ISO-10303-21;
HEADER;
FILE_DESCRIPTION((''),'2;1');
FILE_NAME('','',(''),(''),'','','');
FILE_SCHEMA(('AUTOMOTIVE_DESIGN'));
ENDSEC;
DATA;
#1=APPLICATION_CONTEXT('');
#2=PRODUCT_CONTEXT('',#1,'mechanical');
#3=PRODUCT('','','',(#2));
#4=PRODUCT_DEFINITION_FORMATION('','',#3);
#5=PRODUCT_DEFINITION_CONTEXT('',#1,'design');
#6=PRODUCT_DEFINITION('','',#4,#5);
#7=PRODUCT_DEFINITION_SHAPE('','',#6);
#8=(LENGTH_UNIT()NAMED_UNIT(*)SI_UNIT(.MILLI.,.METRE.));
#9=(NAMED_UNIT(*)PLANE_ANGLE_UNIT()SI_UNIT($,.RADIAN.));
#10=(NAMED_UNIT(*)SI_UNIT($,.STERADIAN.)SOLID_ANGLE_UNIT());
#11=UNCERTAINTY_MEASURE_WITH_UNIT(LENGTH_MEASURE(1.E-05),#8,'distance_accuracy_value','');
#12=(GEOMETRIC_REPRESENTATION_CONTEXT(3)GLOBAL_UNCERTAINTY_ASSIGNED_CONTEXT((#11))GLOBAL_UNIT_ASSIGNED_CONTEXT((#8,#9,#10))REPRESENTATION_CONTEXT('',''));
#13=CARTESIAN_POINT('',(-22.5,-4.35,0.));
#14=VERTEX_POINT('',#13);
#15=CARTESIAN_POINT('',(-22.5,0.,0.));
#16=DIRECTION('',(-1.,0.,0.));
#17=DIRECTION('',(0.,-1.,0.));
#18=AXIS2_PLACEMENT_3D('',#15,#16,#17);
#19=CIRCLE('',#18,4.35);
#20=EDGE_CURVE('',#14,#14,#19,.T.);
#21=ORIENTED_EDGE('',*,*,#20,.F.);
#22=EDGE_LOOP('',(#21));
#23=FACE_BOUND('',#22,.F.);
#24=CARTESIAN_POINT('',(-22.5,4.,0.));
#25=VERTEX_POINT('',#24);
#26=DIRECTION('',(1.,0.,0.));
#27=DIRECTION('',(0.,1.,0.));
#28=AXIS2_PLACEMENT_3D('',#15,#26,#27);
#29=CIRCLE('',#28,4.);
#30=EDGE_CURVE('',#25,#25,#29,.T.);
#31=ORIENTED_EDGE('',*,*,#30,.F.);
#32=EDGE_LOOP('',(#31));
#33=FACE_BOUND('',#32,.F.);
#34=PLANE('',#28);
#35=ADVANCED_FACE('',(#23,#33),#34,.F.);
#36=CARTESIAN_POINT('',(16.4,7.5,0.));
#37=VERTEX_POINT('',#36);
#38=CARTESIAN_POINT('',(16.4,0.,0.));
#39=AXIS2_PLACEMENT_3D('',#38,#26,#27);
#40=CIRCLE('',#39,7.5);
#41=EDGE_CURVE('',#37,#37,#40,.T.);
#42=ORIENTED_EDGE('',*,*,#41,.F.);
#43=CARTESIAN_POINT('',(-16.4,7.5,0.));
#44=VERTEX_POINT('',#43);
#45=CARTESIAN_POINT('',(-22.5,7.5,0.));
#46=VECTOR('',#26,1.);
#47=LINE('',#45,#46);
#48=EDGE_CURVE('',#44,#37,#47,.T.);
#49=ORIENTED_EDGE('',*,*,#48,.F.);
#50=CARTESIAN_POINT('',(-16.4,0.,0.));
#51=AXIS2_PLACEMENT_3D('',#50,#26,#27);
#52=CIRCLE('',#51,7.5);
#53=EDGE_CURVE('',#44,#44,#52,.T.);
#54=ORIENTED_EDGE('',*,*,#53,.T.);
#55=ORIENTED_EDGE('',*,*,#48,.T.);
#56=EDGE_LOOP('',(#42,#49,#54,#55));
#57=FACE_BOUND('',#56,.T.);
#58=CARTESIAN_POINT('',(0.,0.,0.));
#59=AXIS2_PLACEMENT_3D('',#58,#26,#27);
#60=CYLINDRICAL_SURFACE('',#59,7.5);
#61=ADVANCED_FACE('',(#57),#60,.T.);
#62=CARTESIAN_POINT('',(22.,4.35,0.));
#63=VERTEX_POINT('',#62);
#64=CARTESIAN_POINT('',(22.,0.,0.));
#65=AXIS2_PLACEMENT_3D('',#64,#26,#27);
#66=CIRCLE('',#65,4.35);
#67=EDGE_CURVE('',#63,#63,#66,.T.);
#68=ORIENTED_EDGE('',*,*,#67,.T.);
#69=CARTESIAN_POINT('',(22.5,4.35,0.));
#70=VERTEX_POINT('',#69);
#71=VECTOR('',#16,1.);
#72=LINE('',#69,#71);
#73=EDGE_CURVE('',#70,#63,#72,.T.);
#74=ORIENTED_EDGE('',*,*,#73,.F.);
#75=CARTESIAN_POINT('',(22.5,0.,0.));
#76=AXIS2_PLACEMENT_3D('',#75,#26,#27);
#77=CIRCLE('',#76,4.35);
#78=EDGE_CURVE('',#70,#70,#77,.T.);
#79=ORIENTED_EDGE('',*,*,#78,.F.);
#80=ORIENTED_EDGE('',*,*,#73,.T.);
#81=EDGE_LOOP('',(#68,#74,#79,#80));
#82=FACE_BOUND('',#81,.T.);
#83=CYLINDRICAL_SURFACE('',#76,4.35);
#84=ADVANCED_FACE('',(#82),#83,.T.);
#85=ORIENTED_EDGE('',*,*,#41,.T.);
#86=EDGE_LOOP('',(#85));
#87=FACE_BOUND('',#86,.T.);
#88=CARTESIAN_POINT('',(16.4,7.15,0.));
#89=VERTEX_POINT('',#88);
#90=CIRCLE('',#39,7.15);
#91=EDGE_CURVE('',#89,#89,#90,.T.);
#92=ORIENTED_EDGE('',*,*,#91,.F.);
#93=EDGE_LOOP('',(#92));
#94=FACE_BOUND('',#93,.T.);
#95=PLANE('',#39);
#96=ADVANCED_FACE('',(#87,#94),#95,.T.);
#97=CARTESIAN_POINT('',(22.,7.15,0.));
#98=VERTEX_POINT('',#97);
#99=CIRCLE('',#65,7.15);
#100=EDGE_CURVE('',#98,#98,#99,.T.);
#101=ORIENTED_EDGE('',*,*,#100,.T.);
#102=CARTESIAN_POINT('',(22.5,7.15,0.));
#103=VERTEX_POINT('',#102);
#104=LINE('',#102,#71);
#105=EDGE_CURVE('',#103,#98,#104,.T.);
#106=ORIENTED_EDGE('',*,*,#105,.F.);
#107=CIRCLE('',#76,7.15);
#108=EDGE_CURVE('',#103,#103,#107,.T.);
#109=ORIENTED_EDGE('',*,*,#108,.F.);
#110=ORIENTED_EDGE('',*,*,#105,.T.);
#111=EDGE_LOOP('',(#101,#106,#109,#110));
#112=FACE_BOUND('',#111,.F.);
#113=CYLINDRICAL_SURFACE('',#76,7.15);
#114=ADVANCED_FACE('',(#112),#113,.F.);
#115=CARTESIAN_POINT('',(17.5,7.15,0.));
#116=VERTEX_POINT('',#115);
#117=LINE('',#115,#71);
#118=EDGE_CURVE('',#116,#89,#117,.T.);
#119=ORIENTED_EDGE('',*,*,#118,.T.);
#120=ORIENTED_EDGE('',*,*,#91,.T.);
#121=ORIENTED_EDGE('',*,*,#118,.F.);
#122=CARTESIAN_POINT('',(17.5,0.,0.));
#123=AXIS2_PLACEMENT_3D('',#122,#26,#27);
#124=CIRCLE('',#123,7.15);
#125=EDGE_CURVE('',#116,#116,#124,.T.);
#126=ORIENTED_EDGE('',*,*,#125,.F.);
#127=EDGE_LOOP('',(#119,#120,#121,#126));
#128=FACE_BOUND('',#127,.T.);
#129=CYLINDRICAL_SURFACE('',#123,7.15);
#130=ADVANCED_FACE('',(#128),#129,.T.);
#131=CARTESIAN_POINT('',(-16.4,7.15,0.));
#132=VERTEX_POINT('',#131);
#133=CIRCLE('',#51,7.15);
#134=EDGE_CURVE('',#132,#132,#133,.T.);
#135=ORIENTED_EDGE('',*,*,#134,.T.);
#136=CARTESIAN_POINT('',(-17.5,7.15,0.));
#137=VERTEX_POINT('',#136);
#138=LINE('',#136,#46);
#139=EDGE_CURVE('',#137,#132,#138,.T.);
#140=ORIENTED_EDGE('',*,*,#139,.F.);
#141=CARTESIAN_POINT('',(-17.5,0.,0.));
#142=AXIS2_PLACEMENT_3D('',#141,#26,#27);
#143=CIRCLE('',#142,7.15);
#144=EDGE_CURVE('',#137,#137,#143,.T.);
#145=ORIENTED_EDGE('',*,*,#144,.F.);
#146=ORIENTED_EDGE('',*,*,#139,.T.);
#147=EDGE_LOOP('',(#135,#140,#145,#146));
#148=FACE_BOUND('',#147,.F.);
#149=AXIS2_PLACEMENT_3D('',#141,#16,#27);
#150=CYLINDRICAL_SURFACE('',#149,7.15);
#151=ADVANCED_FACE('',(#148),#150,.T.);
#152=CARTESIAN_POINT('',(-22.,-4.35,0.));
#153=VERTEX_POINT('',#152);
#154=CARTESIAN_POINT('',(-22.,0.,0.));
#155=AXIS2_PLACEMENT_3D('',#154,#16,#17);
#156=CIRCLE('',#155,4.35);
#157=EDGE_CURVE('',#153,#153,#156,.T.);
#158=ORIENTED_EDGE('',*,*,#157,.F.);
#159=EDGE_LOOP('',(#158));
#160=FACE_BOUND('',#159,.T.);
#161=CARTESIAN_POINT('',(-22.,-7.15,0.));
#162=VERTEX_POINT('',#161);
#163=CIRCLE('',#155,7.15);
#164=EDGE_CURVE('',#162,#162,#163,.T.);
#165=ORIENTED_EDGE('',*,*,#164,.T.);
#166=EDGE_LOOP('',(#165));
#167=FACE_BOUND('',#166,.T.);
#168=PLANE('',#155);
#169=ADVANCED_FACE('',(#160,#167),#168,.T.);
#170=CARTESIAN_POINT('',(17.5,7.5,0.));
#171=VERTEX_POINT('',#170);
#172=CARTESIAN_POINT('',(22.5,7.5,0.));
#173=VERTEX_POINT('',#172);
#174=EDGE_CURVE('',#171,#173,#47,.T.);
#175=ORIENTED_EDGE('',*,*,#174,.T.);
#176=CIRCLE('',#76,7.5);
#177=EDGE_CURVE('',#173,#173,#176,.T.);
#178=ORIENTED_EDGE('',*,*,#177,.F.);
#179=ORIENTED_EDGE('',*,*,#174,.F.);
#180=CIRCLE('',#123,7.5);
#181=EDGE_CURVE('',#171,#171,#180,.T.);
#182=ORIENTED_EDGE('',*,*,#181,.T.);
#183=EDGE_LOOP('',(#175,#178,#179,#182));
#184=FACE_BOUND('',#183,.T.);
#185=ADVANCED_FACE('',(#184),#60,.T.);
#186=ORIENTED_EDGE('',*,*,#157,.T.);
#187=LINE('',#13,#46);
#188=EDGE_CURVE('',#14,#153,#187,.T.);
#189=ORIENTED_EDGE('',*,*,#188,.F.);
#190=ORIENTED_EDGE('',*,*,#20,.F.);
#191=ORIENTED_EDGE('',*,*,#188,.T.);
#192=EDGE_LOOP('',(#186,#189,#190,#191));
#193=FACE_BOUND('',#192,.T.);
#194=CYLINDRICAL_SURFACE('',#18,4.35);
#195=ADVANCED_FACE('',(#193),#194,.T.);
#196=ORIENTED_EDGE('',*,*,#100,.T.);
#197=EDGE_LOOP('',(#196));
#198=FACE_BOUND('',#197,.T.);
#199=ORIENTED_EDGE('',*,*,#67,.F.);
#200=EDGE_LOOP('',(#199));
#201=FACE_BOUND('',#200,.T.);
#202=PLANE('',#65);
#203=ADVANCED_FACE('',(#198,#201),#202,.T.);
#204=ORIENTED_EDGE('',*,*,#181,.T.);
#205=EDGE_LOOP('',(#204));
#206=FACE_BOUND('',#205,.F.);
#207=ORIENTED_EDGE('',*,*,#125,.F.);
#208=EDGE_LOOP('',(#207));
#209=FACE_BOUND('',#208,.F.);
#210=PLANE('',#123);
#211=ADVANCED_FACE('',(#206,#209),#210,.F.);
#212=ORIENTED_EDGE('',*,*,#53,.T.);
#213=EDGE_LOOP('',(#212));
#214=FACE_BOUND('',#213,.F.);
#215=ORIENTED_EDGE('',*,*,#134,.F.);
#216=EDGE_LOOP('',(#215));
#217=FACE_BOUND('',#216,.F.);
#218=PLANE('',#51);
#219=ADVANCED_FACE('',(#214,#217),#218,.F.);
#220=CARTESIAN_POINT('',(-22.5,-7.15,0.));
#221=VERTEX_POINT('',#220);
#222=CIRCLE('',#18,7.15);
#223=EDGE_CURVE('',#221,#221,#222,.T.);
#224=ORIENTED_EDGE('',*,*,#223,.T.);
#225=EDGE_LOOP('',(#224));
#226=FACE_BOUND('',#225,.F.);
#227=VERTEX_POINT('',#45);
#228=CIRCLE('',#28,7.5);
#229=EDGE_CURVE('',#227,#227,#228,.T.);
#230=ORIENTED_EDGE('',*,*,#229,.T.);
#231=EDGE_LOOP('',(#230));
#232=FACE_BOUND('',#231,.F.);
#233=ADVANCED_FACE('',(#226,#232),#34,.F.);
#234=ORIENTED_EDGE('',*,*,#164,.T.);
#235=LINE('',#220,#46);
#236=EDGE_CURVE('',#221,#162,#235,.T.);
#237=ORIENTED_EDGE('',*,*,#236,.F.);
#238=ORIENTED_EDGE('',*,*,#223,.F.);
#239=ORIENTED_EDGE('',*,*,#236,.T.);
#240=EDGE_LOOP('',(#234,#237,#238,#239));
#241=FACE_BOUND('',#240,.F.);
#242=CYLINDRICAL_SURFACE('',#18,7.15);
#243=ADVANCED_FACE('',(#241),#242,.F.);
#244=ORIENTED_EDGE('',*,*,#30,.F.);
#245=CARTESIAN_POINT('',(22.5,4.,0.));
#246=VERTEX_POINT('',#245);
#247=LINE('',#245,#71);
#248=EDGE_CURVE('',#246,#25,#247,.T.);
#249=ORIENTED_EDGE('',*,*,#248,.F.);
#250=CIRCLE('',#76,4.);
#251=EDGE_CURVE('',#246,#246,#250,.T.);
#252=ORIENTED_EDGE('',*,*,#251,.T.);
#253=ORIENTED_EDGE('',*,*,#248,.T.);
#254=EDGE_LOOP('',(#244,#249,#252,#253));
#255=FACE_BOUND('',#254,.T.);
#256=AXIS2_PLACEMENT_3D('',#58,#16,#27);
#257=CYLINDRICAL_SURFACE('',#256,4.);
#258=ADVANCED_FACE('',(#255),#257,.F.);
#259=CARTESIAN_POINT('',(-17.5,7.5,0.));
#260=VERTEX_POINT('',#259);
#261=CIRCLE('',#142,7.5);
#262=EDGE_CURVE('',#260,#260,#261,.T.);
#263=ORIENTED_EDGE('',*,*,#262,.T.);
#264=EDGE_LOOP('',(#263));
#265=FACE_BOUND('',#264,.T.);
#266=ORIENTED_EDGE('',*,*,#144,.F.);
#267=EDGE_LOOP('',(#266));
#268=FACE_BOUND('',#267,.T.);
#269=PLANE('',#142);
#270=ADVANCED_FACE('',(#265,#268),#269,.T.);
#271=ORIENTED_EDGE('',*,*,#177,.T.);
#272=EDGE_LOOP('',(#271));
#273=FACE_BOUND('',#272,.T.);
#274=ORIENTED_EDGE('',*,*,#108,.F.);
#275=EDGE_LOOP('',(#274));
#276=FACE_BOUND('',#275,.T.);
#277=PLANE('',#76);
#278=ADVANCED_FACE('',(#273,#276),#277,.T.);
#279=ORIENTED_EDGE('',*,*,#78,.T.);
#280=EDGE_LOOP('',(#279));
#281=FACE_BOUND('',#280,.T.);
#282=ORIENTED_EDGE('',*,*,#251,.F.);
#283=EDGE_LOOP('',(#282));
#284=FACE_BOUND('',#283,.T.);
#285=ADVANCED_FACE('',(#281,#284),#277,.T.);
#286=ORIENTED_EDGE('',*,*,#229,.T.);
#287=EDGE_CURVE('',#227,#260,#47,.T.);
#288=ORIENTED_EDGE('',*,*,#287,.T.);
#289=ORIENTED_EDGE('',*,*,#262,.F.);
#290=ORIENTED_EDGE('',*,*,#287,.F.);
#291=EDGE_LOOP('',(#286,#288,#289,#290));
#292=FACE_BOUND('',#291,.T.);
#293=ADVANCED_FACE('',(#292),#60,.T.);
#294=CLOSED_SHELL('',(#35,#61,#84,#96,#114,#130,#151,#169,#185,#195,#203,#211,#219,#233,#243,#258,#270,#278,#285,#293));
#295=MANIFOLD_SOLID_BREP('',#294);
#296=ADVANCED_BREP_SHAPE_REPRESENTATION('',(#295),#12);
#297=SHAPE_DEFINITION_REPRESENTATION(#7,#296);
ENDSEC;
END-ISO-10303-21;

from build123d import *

# Parameters (mm, degrees)
F0_R      = 7.5
F0_R_2    = 4
F1_DEPTH  = 22.5
F4_R      = 8
F4_R_2    = 7.15
F5_DEPTH  = 1.1
F6_R      = 8
F6_R_2    = 7.15
F7_DEPTH  = 1.1
F8_R      = 7.15
F8_R_2    = 4.35
F9_DEPTH  = 0.5
F11_R     = 7.15
F11_R_2   = 4.35
F12_DEPTH = 0.5


with BuildPart() as f1:
    # F0 (on Right) → F1 (new body, symmetric)
    with BuildSketch(Plane.YZ):
        Circle(F0_R)
        Circle(F0_R_2, mode=Mode.SUBTRACT)
    extrude(amount=F1_DEPTH, both=True)

    # F4 (on offset) → F5 (cut)
    with BuildSketch(Plane.YZ.offset(-17.5)):
        Circle(F4_R)
        Circle(F4_R_2, mode=Mode.SUBTRACT)
    extrude(amount=F5_DEPTH, mode=Mode.SUBTRACT)

    # F6 (on offset) → F7 (cut)
    with BuildSketch(Plane.YZ.offset(17.5)):
        Circle(F6_R)
        Circle(F6_R_2, mode=Mode.SUBTRACT)
    extrude(amount=-F7_DEPTH, mode=Mode.SUBTRACT)

    # F8 (on face) → F9 (cut)
    with BuildSketch(Plane.YZ.offset(22.5)):
        Circle(F8_R)
        Circle(F8_R_2, mode=Mode.SUBTRACT)
    extrude(amount=-F9_DEPTH, mode=Mode.SUBTRACT)

    # F11 (on face) → F12 (cut)
    with BuildSketch(Plane(origin=(-22.5, 0, 0), x_dir=(0, -1, 0), z_dir=(-1, 0, 0))):
        Circle(F11_R)
        Circle(F11_R_2, mode=Mode.SUBTRACT)
    extrude(amount=-F12_DEPTH, mode=Mode.SUBTRACT)


solid = f1.part
